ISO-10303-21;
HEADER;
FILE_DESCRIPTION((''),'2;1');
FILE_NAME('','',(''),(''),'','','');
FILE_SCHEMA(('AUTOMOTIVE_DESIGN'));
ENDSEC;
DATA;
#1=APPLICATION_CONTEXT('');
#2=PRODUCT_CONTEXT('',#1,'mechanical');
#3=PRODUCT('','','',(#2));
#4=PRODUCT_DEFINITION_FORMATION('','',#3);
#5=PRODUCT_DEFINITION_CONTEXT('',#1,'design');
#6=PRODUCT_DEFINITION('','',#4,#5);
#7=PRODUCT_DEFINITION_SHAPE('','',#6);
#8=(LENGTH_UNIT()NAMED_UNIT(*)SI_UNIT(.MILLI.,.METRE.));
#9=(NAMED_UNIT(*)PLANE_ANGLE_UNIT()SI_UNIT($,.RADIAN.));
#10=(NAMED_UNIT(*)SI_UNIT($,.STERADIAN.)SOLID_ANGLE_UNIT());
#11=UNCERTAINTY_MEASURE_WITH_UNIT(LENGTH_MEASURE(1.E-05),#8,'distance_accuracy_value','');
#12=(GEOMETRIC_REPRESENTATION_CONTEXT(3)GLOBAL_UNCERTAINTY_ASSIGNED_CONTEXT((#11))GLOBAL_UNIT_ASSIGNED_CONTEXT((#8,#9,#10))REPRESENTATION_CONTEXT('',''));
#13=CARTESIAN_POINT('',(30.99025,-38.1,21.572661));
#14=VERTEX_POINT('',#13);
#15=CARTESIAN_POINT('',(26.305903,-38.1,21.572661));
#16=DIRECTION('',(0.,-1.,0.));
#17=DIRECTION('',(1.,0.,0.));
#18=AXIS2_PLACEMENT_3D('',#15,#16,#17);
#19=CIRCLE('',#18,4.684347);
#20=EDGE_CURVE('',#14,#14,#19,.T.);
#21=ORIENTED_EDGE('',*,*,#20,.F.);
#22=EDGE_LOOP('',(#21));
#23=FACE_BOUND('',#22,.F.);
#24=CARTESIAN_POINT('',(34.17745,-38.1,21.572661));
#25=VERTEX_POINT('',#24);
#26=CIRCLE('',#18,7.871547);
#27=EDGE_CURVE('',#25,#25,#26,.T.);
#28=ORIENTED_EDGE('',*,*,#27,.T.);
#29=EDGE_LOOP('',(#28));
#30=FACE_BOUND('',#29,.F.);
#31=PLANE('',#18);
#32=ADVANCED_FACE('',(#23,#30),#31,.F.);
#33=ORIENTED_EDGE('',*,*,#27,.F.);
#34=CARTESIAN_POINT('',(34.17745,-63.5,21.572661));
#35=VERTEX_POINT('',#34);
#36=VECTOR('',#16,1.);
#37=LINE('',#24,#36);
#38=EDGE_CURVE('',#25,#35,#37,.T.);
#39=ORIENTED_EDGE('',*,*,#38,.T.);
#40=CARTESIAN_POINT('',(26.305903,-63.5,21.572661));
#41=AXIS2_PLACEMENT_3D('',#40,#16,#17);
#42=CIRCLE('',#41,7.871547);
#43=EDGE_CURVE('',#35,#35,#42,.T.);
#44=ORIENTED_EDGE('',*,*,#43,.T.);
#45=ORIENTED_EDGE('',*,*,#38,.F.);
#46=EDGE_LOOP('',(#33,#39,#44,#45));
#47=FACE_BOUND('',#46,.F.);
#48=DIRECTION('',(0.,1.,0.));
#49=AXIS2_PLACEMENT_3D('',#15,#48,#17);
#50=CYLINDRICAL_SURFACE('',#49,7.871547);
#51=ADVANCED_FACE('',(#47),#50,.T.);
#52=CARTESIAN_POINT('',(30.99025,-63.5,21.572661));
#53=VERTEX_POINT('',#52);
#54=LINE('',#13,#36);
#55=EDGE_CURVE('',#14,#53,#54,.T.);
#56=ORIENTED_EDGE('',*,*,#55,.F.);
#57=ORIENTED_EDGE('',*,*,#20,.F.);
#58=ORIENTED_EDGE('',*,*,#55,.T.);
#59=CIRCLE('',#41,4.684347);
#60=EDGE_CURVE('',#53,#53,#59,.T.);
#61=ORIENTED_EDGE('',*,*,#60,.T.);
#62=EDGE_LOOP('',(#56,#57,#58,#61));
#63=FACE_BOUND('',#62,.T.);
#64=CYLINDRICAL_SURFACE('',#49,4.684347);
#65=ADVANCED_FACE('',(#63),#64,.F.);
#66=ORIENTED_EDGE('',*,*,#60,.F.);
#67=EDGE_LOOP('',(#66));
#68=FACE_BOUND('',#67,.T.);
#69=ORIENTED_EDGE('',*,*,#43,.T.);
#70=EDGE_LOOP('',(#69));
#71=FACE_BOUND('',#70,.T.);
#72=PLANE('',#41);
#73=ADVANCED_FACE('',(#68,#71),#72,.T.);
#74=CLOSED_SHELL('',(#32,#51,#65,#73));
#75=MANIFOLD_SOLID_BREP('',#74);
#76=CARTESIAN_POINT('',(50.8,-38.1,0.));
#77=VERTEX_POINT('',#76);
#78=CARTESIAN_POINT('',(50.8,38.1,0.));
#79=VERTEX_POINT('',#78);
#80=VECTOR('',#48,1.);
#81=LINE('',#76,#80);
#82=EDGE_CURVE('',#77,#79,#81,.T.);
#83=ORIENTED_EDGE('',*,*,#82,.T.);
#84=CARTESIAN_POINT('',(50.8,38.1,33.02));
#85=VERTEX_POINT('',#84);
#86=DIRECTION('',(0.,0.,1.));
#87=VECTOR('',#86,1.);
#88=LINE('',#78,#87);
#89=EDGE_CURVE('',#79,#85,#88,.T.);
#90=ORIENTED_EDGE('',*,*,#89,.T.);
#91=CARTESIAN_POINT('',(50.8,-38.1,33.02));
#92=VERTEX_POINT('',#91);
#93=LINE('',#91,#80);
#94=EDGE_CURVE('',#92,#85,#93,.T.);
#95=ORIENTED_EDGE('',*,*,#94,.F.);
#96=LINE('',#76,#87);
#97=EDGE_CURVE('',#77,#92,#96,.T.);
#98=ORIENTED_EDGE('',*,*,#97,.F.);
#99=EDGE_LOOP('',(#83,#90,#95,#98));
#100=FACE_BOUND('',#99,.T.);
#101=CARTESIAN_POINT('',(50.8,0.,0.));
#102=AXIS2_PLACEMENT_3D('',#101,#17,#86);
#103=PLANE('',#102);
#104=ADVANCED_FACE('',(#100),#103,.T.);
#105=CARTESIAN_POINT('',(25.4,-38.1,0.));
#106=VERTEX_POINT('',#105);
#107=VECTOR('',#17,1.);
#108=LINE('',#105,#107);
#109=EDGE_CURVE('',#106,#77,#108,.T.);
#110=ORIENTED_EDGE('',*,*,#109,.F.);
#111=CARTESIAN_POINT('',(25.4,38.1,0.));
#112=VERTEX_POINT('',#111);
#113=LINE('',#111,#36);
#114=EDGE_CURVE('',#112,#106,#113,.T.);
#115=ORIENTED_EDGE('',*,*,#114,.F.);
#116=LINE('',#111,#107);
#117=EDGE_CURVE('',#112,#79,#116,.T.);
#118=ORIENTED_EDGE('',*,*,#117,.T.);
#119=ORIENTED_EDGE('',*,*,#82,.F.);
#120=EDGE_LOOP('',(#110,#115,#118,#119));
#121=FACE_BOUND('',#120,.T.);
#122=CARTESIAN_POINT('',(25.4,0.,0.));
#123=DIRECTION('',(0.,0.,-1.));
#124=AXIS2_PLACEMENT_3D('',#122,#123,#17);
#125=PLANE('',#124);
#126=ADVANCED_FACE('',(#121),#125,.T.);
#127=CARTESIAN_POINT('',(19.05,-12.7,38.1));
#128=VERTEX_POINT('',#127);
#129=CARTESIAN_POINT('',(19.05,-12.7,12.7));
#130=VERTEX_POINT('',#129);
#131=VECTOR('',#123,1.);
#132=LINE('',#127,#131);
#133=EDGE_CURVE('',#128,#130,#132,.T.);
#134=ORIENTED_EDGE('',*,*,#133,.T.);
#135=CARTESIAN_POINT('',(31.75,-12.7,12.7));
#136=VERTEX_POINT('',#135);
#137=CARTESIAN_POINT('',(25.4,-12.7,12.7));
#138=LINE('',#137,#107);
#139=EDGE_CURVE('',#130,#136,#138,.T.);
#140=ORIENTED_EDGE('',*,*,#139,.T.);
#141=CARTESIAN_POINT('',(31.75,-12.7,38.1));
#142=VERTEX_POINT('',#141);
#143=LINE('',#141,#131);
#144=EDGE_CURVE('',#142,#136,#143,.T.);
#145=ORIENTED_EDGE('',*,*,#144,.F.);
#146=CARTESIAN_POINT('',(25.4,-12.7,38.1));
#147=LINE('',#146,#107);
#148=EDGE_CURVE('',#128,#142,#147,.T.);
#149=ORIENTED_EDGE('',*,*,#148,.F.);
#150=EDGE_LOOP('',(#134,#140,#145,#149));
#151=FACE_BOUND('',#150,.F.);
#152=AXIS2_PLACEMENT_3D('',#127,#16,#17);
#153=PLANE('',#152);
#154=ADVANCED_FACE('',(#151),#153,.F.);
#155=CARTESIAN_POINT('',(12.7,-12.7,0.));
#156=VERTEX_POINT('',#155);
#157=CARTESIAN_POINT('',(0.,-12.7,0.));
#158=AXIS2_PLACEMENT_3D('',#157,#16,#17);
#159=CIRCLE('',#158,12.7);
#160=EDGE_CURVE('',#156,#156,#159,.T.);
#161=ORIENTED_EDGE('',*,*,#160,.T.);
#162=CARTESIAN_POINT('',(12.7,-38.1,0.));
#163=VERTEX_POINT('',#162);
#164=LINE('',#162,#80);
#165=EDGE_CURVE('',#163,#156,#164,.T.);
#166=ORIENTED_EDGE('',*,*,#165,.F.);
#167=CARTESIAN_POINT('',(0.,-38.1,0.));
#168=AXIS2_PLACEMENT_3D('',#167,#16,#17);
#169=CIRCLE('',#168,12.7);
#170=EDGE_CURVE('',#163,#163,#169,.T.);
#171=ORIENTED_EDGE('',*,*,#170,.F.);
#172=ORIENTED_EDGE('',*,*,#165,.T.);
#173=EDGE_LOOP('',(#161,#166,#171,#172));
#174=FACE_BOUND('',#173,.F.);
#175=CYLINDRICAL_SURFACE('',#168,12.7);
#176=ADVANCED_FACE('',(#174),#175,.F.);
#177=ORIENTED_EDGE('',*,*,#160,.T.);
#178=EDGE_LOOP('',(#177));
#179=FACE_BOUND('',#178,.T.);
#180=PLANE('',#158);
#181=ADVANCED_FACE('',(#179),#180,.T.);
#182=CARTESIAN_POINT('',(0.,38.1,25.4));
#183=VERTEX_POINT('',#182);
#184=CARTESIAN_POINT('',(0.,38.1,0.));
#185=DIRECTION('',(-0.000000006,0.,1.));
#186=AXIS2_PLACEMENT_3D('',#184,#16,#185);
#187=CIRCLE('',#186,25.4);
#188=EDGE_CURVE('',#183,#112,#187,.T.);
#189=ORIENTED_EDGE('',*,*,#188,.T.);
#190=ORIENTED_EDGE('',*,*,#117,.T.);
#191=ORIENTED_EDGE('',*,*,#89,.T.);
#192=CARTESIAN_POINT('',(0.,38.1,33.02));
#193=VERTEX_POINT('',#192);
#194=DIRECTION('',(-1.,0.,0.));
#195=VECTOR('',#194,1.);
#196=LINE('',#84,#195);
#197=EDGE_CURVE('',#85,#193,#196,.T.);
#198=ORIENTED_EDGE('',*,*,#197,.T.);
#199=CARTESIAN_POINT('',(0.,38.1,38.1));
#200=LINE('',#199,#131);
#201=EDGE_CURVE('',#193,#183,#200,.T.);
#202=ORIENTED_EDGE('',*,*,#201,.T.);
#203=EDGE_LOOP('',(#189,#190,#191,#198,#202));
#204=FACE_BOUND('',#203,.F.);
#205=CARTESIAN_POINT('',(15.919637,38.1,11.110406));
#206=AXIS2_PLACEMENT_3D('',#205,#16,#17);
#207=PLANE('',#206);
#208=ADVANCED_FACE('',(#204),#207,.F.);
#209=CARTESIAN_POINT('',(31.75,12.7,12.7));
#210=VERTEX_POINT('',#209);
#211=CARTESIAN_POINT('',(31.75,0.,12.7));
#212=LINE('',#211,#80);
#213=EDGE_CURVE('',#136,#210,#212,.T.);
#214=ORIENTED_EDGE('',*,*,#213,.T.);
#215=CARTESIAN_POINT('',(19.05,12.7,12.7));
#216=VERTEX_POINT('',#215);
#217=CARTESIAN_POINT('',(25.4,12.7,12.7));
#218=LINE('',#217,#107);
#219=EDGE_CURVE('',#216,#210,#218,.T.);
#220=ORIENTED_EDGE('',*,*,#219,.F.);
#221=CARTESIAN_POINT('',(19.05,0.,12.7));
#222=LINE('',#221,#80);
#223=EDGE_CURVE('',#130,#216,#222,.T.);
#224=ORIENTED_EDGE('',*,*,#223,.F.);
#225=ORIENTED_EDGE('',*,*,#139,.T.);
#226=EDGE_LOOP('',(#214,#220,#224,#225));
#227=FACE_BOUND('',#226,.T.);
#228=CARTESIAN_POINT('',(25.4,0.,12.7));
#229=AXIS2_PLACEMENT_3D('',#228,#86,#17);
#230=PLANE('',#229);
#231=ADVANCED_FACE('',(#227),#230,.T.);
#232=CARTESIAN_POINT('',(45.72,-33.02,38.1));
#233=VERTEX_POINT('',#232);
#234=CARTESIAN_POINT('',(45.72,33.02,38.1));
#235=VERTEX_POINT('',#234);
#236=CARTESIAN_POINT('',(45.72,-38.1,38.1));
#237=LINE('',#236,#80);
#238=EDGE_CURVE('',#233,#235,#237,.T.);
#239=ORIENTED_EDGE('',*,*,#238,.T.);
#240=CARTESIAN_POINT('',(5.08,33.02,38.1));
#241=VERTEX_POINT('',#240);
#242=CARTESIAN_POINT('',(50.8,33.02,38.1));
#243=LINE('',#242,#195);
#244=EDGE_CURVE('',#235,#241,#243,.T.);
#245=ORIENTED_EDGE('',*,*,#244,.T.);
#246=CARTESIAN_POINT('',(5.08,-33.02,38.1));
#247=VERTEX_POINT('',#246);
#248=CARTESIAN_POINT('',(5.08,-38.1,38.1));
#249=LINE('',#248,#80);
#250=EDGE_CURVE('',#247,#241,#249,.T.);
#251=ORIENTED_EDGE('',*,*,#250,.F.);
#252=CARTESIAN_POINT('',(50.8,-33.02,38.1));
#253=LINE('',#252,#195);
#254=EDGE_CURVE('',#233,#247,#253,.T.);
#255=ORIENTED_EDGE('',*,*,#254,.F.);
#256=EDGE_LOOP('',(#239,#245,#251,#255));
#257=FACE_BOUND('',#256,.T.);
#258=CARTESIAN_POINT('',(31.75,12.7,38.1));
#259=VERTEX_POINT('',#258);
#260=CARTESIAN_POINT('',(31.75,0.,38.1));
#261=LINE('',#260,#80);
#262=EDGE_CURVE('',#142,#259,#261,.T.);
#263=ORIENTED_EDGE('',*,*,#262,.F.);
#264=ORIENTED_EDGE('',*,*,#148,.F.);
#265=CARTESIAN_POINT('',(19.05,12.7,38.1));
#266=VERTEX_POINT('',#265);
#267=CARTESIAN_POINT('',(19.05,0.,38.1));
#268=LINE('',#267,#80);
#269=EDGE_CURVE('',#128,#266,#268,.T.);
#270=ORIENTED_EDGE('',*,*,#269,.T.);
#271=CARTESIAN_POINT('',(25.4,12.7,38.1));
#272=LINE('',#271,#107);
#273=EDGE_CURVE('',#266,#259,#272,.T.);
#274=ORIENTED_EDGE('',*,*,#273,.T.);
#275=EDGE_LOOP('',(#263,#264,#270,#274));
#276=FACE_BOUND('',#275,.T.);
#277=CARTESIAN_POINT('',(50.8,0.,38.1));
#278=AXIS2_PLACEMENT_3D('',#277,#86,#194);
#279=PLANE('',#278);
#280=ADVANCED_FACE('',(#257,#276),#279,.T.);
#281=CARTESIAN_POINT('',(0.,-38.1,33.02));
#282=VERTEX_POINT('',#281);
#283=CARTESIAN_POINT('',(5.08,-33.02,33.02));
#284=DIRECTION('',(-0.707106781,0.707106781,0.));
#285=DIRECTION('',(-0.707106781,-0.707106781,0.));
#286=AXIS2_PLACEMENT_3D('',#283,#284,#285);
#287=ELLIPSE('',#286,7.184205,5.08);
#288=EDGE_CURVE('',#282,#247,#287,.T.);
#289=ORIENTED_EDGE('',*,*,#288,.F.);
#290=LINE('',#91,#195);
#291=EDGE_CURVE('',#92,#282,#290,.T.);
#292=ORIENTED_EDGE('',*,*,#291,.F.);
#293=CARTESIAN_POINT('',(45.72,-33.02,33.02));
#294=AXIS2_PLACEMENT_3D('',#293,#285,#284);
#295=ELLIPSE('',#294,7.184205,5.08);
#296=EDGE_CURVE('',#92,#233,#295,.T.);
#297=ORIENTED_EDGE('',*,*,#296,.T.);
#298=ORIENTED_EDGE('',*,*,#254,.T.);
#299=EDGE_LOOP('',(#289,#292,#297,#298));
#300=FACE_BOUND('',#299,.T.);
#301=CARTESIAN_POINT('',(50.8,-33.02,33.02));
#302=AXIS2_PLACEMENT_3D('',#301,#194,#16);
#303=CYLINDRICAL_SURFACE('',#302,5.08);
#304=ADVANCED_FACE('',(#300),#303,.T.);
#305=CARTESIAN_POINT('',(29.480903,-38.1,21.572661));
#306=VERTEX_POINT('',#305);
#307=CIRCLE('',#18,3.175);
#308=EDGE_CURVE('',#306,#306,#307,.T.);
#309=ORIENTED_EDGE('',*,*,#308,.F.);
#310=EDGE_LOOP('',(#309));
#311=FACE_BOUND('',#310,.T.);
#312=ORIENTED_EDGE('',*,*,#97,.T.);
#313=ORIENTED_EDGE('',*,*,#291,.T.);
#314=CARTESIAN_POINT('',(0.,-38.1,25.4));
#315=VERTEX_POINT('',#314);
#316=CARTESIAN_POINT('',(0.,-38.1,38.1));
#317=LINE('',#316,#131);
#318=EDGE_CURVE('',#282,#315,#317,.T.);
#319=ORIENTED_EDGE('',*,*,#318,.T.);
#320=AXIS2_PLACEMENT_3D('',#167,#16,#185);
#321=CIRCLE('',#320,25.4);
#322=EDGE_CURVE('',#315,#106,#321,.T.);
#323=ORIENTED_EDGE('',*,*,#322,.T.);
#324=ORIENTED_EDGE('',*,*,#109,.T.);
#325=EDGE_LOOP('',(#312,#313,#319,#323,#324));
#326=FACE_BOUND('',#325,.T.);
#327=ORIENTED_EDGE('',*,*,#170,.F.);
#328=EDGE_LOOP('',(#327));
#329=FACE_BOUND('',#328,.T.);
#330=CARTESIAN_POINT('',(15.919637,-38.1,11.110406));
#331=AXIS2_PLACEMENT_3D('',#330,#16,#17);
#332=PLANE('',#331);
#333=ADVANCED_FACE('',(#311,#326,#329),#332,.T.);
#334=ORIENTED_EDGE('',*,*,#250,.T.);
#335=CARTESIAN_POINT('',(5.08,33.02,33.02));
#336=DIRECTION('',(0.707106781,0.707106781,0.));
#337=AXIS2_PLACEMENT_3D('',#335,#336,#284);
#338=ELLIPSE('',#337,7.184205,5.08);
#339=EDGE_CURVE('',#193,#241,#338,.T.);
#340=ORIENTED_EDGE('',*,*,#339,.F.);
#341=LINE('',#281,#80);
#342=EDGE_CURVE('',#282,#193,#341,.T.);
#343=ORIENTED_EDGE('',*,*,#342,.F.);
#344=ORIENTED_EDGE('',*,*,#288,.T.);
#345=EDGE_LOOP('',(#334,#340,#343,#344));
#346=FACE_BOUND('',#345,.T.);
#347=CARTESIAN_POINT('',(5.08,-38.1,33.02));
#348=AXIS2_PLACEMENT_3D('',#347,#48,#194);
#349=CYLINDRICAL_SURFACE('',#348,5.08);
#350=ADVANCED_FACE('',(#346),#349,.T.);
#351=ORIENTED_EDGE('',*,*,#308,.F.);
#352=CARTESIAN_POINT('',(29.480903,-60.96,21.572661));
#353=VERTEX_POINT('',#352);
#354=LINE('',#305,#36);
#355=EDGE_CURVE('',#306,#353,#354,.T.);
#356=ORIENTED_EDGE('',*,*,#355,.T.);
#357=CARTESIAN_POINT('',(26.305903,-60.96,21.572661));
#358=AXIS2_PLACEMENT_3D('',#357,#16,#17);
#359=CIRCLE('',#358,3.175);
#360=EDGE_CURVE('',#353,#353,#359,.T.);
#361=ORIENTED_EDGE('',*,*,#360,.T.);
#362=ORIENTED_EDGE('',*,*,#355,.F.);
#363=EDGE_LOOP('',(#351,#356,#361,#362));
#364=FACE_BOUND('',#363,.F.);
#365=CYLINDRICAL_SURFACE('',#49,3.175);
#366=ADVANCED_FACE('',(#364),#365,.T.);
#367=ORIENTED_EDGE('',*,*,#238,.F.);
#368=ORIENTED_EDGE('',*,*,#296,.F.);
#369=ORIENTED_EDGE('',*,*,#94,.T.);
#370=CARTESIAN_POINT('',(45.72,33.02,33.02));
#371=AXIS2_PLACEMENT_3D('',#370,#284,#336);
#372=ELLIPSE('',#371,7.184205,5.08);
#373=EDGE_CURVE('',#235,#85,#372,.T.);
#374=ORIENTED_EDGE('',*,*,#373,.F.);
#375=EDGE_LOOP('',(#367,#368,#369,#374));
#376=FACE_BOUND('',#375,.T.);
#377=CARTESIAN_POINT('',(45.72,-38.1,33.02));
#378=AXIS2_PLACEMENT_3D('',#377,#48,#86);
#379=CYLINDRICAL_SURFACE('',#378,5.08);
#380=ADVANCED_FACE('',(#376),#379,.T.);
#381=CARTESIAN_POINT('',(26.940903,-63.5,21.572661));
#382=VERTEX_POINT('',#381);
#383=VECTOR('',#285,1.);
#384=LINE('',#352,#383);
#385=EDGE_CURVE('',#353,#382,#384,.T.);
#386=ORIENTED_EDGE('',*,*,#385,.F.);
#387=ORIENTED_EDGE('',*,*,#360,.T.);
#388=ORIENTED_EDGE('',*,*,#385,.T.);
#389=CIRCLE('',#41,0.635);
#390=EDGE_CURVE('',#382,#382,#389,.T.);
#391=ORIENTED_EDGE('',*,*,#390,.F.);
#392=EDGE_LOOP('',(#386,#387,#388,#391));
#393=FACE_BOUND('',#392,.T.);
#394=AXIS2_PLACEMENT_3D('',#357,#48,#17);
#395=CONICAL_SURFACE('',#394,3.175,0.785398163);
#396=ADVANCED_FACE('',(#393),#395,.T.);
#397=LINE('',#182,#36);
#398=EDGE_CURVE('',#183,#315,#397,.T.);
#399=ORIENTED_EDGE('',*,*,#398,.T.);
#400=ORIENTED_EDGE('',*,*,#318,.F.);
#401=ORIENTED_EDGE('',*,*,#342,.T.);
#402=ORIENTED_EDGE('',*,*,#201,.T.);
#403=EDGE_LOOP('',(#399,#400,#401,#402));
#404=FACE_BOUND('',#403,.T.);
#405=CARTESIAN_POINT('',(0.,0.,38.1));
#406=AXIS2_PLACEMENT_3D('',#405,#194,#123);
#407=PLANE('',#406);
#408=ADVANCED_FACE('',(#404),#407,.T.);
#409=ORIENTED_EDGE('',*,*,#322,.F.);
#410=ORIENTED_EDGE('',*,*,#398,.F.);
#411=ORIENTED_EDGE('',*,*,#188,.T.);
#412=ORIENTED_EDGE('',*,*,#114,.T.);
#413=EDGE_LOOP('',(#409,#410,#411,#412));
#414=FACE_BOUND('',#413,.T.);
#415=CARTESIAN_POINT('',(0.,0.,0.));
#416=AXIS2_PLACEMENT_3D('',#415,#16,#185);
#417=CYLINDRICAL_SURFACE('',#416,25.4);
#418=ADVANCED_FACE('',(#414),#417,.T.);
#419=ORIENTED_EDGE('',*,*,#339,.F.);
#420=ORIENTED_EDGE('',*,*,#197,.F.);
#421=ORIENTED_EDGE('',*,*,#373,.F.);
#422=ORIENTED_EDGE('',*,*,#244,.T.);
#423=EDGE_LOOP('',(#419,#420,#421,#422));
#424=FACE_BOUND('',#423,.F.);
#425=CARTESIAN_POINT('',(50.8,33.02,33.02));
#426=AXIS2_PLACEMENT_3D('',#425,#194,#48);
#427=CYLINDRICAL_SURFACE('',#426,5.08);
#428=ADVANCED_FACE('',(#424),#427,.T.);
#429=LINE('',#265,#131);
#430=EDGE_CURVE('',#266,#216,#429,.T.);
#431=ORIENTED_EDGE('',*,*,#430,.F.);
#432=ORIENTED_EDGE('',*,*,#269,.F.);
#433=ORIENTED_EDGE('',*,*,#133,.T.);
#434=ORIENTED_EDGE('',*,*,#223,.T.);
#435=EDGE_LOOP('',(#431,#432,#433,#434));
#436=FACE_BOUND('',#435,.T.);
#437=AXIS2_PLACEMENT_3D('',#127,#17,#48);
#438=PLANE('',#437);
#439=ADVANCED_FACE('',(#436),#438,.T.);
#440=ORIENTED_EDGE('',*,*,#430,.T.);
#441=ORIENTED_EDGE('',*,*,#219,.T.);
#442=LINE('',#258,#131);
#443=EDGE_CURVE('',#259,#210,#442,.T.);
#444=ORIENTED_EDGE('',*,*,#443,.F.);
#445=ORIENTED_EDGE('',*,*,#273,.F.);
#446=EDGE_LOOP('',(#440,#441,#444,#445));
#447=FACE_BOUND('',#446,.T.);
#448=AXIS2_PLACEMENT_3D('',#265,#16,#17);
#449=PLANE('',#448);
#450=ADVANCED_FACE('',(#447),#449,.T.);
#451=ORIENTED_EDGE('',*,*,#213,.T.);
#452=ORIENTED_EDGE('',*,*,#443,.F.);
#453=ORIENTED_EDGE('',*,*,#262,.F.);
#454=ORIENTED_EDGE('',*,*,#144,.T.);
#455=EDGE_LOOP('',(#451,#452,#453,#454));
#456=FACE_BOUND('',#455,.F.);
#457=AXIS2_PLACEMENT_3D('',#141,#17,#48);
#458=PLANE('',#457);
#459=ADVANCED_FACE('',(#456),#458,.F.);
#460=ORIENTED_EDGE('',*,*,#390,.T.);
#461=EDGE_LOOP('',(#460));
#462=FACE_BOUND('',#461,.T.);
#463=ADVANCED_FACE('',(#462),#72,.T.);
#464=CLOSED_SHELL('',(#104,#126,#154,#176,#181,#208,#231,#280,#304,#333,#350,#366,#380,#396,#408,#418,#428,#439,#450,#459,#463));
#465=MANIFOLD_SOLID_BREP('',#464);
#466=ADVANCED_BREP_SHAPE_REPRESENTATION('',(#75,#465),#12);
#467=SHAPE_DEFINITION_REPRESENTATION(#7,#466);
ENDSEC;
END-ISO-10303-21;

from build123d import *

# Parameters (mm, degrees)
F1_DEPTH  = 38.1
F2_W      = 12.7
F2_H      = 25.4
F3_DEPTH  = 25.4
F4_R      = 5.08
F5_R      = 12.7
F6_DEPTH  = 25.4
F7_R      = 3.175
F8_DEPTH  = 25.4
F9_SIZE   = 2.54
F10_R     = 7.871547
F10_R_2   = 4.684347
F11_DEPTH = 25.4


with BuildPart() as f1:
    # F0 (on Front) → F1 (new body, symmetric)
    with BuildSketch(Plane.XZ):
        with BuildLine():
            Line((0, 38.1), (0, 25.4))
            ThreePointArc((0, 25.4), (-17.960512, -17.960512), (25.4, 0))
            Line((25.4, 0), (50.8, 0))
            Line((50.8, 0), (50.8, 38.1))
            Line((50.8, 38.1), (0, 38.1))
        make_face()
    extrude(amount=F1_DEPTH, both=True)

    # F2 (on face) → F3 (cut)
    with BuildSketch(Plane.XY.offset(38.1)):
        with Locations((25.4, 0)):
            Rectangle(F2_W, F2_H)
    extrude(amount=-F3_DEPTH, mode=Mode.SUBTRACT)

    # F4
    f4_edges = [f1.edges().sort_by_distance(p)[0] for p in [
        (25.4, -38.1, 38.1),
        (50.8, 0, 38.1),
        (25.4, 38.1, 38.1),
        (0, 0, 38.1),
    ]]
    fillet(f4_edges, radius=F4_R)

    # F5 (on face) → F6 (cut)
    with BuildSketch(Plane.XZ.offset(38.1)):
        Circle(F5_R)
    extrude(amount=-F6_DEPTH, mode=Mode.SUBTRACT)

    # F7 (on face) → F8 (join)
    with BuildSketch(Plane.XZ.offset(38.1)):
        with Locations((26.305903, 21.572661)):
            Circle(F7_R)
    extrude(amount=F8_DEPTH)

    # F9
    f9_edges = [f1.edges().sort_by_distance(p)[0] for p in [
        (23.130903, -63.5, 21.572661),
    ]]
    chamfer(f9_edges, length=F9_SIZE)


with BuildPart() as f11:
    # F10 (on face) → F11 (new body)
    with BuildSketch(Plane.XZ.offset(38.1)):
        with Locations((26.305903, 21.572661)):
            Circle(F10_R)
        with Locations((26.305903, 21.572661)):
            Circle(F10_R_2, mode=Mode.SUBTRACT)
    extrude(amount=F11_DEPTH)


solid = Compound([f1.part, f11.part])
